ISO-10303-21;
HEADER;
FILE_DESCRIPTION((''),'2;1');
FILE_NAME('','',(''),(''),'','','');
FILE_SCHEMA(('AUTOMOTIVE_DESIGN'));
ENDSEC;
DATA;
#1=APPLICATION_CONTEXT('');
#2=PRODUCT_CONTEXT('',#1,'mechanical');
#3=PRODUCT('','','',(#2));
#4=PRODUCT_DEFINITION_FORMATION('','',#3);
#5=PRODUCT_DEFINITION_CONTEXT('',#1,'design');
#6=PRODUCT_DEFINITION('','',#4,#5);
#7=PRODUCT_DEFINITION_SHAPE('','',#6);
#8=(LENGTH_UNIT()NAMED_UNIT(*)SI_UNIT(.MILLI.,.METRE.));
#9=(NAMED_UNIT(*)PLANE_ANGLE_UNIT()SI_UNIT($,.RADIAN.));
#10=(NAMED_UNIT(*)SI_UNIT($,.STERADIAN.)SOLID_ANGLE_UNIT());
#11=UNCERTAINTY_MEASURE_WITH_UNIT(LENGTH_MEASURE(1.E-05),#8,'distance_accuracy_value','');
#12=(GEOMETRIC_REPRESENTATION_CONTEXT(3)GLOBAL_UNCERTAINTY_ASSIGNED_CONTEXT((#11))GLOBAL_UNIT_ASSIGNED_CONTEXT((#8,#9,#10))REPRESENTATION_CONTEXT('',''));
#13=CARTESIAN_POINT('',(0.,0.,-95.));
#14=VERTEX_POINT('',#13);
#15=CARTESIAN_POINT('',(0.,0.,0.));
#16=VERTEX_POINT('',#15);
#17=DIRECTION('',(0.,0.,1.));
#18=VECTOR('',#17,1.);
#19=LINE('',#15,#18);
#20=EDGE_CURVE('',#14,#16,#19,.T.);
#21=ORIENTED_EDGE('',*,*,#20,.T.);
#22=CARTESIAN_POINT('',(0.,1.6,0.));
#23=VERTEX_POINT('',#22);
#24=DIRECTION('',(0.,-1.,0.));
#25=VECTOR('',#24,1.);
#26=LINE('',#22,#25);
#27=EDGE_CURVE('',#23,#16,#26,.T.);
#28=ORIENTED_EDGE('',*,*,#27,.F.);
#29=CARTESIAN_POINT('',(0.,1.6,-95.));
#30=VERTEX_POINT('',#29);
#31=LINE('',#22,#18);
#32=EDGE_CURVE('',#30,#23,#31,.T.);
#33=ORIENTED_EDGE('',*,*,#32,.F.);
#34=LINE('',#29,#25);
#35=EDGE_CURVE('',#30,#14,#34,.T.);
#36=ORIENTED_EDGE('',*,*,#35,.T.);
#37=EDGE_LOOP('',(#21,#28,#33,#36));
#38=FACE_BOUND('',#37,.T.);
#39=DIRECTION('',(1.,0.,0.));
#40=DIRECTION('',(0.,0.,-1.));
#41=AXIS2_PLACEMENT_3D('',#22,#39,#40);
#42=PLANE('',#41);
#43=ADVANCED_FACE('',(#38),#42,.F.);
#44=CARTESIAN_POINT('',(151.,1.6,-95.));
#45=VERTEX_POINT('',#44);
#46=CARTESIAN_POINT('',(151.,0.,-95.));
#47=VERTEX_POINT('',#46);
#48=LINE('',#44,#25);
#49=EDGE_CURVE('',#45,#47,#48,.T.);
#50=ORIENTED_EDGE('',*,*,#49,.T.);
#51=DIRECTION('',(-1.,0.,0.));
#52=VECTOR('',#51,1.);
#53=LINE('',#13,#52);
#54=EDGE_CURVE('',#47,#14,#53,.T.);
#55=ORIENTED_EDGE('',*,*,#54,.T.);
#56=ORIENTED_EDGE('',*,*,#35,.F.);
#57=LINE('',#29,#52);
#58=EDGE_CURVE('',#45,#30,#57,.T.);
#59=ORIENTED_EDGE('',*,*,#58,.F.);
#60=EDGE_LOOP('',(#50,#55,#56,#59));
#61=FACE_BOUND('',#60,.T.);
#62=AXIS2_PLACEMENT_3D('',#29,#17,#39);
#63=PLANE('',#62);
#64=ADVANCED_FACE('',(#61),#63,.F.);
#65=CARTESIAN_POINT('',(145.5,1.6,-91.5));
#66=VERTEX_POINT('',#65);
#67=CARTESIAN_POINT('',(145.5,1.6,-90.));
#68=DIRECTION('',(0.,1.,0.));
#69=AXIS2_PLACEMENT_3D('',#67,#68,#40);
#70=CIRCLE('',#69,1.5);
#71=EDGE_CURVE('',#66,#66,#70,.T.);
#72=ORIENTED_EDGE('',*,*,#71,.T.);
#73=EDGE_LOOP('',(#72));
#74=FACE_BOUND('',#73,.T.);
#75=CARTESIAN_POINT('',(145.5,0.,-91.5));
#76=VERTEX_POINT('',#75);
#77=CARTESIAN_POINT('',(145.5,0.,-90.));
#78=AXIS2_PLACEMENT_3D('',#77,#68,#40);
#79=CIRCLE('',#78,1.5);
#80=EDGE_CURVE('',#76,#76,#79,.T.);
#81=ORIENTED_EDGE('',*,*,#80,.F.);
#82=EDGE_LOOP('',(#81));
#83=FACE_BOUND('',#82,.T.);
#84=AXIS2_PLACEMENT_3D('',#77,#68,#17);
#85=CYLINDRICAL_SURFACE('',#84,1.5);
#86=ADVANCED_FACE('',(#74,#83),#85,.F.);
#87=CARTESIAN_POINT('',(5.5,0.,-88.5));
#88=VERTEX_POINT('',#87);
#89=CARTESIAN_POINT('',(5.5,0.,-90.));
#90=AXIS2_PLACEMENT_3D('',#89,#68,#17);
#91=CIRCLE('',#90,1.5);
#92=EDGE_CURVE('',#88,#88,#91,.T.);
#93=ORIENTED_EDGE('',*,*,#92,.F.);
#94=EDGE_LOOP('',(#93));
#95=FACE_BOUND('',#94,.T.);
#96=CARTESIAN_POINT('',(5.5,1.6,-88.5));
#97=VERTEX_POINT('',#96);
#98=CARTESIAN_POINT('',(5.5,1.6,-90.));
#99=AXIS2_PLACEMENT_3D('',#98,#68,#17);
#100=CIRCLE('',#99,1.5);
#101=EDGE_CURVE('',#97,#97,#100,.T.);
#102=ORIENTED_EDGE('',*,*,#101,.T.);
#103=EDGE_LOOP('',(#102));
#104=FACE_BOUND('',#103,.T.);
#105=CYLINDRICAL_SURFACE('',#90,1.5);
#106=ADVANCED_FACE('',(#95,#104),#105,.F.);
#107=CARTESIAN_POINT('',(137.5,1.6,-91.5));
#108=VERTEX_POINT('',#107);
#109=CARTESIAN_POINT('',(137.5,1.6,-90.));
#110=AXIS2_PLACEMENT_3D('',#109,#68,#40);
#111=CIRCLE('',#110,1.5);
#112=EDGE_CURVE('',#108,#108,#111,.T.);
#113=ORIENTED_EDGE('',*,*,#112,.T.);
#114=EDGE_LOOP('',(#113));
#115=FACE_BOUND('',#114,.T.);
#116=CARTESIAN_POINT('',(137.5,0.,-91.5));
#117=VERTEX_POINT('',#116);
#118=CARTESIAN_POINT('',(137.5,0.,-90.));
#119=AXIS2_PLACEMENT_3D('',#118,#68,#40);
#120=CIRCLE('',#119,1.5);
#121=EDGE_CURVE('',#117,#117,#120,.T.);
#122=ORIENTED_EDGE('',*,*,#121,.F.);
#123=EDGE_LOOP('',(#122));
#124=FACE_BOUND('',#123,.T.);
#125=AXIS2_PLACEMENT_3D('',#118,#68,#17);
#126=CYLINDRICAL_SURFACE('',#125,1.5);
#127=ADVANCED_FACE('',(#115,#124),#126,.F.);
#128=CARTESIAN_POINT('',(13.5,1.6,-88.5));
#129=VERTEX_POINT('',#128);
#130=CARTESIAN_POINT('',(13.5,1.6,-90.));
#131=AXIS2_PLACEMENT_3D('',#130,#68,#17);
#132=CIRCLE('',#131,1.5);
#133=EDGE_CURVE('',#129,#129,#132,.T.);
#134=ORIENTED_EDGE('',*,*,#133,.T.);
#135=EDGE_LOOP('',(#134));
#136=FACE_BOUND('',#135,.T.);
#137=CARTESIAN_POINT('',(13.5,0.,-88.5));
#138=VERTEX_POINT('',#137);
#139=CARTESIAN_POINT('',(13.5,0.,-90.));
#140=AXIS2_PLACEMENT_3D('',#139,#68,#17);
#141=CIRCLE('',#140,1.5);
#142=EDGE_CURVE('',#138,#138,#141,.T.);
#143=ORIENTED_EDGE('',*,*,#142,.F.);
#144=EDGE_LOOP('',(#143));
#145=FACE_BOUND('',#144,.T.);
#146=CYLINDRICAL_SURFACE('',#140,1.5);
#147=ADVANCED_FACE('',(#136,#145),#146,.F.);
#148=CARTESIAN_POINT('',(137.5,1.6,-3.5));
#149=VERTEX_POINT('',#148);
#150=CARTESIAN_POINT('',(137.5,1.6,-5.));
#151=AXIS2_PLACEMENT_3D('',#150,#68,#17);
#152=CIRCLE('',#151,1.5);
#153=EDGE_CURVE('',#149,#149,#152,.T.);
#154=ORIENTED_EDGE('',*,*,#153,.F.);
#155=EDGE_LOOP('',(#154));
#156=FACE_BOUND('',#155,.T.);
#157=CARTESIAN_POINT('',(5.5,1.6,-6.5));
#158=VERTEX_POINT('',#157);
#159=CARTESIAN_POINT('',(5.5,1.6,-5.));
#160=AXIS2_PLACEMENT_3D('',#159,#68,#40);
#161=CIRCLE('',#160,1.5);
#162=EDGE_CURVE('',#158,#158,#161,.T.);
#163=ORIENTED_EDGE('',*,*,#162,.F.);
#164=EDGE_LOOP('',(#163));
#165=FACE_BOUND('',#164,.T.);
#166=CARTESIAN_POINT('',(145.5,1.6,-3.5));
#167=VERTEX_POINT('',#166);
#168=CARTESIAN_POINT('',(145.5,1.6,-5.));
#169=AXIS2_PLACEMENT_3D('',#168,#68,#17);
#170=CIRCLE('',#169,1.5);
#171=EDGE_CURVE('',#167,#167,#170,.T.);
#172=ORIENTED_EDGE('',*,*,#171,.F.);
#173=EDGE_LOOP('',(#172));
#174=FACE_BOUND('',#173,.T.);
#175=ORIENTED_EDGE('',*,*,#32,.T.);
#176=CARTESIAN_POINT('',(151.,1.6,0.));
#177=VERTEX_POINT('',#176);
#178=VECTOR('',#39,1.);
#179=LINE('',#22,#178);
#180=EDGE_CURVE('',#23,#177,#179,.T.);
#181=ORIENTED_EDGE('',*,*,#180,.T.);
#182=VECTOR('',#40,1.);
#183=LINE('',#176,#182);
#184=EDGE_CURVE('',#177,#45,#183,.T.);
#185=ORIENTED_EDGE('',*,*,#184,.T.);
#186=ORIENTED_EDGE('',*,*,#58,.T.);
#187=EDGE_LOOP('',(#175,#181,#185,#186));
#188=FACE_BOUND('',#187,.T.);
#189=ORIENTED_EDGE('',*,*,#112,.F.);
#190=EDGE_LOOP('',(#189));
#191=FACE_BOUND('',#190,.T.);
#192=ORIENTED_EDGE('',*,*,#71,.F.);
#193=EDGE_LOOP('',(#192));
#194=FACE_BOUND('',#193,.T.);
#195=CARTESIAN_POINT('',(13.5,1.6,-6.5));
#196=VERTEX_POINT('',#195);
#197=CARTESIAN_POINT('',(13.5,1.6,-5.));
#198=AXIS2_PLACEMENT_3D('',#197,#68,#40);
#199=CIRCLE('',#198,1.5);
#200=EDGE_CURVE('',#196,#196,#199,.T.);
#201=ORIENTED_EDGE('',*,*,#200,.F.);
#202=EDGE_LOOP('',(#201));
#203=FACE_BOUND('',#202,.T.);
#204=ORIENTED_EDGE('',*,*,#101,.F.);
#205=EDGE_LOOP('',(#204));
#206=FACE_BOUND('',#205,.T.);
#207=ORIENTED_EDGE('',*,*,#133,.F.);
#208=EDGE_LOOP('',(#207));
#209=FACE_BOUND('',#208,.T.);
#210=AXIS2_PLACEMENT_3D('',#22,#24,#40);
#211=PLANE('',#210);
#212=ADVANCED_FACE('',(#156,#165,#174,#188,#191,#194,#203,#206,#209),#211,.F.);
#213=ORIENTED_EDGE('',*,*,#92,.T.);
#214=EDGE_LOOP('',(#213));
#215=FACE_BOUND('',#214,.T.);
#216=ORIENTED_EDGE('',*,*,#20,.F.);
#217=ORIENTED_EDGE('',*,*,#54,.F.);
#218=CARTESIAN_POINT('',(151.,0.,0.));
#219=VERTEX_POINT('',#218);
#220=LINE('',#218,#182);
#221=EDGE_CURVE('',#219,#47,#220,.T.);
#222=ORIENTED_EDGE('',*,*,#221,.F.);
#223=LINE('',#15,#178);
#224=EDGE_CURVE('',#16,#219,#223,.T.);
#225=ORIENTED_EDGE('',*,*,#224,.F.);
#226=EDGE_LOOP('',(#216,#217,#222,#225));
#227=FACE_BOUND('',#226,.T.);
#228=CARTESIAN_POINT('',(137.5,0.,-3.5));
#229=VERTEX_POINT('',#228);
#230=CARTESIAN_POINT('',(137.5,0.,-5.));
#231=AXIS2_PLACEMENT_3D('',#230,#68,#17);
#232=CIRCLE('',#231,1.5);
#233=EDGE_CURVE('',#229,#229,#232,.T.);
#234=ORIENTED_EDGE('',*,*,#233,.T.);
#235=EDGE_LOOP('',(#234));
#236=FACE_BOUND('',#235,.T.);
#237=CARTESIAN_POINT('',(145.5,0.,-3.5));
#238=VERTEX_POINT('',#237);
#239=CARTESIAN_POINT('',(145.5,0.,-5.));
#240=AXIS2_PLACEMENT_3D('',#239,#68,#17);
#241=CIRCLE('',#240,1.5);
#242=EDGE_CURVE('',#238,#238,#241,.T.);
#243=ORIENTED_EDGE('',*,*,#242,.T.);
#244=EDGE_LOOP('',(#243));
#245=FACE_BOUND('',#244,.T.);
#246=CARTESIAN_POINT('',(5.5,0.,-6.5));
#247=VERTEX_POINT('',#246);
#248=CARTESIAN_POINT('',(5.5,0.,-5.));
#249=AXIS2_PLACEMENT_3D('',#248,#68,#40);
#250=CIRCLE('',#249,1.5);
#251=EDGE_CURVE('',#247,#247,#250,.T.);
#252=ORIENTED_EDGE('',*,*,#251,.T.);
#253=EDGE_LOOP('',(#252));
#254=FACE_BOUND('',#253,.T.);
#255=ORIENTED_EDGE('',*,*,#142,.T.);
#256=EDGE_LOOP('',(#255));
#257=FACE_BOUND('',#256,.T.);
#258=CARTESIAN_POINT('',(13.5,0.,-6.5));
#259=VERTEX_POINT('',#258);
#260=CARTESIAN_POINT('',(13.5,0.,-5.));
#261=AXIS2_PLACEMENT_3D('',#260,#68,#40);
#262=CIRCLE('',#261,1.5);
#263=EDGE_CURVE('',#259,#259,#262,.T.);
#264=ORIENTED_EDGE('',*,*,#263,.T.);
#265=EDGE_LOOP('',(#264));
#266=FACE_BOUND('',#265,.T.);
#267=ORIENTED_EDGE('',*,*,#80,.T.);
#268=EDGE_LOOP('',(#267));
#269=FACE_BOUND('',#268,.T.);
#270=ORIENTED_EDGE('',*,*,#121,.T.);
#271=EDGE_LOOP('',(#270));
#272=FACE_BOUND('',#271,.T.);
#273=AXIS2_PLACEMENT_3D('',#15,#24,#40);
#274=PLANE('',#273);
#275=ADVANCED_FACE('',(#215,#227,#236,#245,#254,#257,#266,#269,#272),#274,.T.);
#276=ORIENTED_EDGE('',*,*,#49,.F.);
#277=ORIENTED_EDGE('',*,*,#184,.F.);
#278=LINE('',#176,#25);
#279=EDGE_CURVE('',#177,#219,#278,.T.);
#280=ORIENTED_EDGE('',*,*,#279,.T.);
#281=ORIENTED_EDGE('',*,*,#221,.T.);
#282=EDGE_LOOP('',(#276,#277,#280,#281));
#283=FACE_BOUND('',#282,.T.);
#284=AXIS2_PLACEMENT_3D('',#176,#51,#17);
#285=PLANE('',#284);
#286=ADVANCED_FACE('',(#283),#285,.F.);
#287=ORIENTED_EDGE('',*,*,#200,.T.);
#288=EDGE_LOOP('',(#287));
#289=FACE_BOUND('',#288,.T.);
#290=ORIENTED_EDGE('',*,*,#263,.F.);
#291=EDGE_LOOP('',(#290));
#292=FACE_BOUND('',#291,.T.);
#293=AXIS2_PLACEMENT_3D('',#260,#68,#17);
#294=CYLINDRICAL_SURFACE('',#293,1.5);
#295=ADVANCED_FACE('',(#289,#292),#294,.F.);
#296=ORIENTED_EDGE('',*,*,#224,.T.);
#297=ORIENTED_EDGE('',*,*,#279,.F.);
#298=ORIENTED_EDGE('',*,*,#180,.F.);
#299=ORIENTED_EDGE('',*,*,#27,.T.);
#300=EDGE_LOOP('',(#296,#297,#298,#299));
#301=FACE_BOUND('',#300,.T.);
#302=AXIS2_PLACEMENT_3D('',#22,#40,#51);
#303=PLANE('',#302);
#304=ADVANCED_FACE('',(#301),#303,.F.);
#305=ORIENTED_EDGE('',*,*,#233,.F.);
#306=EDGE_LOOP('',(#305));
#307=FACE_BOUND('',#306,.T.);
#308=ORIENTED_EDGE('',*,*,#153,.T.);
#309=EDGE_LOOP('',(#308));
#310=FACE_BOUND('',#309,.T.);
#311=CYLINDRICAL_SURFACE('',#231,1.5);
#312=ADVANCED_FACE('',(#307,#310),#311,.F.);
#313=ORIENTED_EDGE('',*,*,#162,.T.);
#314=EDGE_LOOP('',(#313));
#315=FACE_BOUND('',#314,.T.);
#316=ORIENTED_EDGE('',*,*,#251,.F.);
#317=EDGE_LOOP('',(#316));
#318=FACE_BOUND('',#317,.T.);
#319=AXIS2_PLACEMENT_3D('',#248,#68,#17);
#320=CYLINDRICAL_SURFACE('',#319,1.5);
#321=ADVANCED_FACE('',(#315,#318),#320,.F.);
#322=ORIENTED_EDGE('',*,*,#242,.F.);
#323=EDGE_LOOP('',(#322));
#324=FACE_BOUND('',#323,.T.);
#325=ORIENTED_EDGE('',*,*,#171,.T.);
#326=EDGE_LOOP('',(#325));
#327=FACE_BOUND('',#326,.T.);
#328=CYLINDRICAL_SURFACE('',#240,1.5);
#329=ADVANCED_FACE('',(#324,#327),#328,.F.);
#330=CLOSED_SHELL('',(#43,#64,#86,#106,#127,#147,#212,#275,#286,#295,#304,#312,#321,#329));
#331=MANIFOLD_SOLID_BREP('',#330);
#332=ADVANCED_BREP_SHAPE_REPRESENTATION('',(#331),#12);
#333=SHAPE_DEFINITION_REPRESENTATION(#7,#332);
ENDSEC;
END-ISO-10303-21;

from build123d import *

# Parameters (mm, degrees)
SKETCH_1_W          = 151
SKETCH_1_H          = 95
EXTRUDE_1_DEPTH     = 1.6
SKETCH_2_R          = 1.5
CUT_EXTRUDE_1_DEPTH = 179.405605293


with BuildPart() as part:
    # 草图1 → 凸台-拉伸1 (new body)
    with BuildSketch(Plane(origin=(0, 0, 0), x_dir=(1, 0, 0), z_dir=(0, 1, 0))):
        with Locations((75.5, 47.5)):
            Rectangle(SKETCH_1_W, SKETCH_1_H)
    extrude(amount=EXTRUDE_1_DEPTH)

    # 草图2 → 切除-拉伸1 (cut, through all)
    with BuildSketch(Plane(origin=(0, 1.6, 0), x_dir=(1, 0, 0), z_dir=(0, 1, 0))):
        with Locations(Location((5.5, 90, 0), (0, 0, 270))):
            Circle(SKETCH_2_R)
        with Locations(Location((145.5, 90, 0), (0, 0, 90))):
            Circle(SKETCH_2_R)
        with Locations(Location((145.5, 5, 0), (0, 0, 270))):
            Circle(SKETCH_2_R)
        with Locations(Location((5.5, 5, 0), (0, 0, 90))):
            Circle(SKETCH_2_R)
        with Locations(Location((13.5, 90, 0), (0, 0, 270))):
            Circle(SKETCH_2_R)
        with Locations(Location((13.5, 5, 0), (0, 0, 90))):
            Circle(SKETCH_2_R)
        with Locations(Location((137.5, 5, 0), (0, 0, 270))):
            Circle(SKETCH_2_R)
        with Locations(Location((137.5, 90, 0), (0, 0, 90))):
            Circle(SKETCH_2_R)
    extrude(amount=-CUT_EXTRUDE_1_DEPTH, mode=Mode.SUBTRACT)


solid = part.part
